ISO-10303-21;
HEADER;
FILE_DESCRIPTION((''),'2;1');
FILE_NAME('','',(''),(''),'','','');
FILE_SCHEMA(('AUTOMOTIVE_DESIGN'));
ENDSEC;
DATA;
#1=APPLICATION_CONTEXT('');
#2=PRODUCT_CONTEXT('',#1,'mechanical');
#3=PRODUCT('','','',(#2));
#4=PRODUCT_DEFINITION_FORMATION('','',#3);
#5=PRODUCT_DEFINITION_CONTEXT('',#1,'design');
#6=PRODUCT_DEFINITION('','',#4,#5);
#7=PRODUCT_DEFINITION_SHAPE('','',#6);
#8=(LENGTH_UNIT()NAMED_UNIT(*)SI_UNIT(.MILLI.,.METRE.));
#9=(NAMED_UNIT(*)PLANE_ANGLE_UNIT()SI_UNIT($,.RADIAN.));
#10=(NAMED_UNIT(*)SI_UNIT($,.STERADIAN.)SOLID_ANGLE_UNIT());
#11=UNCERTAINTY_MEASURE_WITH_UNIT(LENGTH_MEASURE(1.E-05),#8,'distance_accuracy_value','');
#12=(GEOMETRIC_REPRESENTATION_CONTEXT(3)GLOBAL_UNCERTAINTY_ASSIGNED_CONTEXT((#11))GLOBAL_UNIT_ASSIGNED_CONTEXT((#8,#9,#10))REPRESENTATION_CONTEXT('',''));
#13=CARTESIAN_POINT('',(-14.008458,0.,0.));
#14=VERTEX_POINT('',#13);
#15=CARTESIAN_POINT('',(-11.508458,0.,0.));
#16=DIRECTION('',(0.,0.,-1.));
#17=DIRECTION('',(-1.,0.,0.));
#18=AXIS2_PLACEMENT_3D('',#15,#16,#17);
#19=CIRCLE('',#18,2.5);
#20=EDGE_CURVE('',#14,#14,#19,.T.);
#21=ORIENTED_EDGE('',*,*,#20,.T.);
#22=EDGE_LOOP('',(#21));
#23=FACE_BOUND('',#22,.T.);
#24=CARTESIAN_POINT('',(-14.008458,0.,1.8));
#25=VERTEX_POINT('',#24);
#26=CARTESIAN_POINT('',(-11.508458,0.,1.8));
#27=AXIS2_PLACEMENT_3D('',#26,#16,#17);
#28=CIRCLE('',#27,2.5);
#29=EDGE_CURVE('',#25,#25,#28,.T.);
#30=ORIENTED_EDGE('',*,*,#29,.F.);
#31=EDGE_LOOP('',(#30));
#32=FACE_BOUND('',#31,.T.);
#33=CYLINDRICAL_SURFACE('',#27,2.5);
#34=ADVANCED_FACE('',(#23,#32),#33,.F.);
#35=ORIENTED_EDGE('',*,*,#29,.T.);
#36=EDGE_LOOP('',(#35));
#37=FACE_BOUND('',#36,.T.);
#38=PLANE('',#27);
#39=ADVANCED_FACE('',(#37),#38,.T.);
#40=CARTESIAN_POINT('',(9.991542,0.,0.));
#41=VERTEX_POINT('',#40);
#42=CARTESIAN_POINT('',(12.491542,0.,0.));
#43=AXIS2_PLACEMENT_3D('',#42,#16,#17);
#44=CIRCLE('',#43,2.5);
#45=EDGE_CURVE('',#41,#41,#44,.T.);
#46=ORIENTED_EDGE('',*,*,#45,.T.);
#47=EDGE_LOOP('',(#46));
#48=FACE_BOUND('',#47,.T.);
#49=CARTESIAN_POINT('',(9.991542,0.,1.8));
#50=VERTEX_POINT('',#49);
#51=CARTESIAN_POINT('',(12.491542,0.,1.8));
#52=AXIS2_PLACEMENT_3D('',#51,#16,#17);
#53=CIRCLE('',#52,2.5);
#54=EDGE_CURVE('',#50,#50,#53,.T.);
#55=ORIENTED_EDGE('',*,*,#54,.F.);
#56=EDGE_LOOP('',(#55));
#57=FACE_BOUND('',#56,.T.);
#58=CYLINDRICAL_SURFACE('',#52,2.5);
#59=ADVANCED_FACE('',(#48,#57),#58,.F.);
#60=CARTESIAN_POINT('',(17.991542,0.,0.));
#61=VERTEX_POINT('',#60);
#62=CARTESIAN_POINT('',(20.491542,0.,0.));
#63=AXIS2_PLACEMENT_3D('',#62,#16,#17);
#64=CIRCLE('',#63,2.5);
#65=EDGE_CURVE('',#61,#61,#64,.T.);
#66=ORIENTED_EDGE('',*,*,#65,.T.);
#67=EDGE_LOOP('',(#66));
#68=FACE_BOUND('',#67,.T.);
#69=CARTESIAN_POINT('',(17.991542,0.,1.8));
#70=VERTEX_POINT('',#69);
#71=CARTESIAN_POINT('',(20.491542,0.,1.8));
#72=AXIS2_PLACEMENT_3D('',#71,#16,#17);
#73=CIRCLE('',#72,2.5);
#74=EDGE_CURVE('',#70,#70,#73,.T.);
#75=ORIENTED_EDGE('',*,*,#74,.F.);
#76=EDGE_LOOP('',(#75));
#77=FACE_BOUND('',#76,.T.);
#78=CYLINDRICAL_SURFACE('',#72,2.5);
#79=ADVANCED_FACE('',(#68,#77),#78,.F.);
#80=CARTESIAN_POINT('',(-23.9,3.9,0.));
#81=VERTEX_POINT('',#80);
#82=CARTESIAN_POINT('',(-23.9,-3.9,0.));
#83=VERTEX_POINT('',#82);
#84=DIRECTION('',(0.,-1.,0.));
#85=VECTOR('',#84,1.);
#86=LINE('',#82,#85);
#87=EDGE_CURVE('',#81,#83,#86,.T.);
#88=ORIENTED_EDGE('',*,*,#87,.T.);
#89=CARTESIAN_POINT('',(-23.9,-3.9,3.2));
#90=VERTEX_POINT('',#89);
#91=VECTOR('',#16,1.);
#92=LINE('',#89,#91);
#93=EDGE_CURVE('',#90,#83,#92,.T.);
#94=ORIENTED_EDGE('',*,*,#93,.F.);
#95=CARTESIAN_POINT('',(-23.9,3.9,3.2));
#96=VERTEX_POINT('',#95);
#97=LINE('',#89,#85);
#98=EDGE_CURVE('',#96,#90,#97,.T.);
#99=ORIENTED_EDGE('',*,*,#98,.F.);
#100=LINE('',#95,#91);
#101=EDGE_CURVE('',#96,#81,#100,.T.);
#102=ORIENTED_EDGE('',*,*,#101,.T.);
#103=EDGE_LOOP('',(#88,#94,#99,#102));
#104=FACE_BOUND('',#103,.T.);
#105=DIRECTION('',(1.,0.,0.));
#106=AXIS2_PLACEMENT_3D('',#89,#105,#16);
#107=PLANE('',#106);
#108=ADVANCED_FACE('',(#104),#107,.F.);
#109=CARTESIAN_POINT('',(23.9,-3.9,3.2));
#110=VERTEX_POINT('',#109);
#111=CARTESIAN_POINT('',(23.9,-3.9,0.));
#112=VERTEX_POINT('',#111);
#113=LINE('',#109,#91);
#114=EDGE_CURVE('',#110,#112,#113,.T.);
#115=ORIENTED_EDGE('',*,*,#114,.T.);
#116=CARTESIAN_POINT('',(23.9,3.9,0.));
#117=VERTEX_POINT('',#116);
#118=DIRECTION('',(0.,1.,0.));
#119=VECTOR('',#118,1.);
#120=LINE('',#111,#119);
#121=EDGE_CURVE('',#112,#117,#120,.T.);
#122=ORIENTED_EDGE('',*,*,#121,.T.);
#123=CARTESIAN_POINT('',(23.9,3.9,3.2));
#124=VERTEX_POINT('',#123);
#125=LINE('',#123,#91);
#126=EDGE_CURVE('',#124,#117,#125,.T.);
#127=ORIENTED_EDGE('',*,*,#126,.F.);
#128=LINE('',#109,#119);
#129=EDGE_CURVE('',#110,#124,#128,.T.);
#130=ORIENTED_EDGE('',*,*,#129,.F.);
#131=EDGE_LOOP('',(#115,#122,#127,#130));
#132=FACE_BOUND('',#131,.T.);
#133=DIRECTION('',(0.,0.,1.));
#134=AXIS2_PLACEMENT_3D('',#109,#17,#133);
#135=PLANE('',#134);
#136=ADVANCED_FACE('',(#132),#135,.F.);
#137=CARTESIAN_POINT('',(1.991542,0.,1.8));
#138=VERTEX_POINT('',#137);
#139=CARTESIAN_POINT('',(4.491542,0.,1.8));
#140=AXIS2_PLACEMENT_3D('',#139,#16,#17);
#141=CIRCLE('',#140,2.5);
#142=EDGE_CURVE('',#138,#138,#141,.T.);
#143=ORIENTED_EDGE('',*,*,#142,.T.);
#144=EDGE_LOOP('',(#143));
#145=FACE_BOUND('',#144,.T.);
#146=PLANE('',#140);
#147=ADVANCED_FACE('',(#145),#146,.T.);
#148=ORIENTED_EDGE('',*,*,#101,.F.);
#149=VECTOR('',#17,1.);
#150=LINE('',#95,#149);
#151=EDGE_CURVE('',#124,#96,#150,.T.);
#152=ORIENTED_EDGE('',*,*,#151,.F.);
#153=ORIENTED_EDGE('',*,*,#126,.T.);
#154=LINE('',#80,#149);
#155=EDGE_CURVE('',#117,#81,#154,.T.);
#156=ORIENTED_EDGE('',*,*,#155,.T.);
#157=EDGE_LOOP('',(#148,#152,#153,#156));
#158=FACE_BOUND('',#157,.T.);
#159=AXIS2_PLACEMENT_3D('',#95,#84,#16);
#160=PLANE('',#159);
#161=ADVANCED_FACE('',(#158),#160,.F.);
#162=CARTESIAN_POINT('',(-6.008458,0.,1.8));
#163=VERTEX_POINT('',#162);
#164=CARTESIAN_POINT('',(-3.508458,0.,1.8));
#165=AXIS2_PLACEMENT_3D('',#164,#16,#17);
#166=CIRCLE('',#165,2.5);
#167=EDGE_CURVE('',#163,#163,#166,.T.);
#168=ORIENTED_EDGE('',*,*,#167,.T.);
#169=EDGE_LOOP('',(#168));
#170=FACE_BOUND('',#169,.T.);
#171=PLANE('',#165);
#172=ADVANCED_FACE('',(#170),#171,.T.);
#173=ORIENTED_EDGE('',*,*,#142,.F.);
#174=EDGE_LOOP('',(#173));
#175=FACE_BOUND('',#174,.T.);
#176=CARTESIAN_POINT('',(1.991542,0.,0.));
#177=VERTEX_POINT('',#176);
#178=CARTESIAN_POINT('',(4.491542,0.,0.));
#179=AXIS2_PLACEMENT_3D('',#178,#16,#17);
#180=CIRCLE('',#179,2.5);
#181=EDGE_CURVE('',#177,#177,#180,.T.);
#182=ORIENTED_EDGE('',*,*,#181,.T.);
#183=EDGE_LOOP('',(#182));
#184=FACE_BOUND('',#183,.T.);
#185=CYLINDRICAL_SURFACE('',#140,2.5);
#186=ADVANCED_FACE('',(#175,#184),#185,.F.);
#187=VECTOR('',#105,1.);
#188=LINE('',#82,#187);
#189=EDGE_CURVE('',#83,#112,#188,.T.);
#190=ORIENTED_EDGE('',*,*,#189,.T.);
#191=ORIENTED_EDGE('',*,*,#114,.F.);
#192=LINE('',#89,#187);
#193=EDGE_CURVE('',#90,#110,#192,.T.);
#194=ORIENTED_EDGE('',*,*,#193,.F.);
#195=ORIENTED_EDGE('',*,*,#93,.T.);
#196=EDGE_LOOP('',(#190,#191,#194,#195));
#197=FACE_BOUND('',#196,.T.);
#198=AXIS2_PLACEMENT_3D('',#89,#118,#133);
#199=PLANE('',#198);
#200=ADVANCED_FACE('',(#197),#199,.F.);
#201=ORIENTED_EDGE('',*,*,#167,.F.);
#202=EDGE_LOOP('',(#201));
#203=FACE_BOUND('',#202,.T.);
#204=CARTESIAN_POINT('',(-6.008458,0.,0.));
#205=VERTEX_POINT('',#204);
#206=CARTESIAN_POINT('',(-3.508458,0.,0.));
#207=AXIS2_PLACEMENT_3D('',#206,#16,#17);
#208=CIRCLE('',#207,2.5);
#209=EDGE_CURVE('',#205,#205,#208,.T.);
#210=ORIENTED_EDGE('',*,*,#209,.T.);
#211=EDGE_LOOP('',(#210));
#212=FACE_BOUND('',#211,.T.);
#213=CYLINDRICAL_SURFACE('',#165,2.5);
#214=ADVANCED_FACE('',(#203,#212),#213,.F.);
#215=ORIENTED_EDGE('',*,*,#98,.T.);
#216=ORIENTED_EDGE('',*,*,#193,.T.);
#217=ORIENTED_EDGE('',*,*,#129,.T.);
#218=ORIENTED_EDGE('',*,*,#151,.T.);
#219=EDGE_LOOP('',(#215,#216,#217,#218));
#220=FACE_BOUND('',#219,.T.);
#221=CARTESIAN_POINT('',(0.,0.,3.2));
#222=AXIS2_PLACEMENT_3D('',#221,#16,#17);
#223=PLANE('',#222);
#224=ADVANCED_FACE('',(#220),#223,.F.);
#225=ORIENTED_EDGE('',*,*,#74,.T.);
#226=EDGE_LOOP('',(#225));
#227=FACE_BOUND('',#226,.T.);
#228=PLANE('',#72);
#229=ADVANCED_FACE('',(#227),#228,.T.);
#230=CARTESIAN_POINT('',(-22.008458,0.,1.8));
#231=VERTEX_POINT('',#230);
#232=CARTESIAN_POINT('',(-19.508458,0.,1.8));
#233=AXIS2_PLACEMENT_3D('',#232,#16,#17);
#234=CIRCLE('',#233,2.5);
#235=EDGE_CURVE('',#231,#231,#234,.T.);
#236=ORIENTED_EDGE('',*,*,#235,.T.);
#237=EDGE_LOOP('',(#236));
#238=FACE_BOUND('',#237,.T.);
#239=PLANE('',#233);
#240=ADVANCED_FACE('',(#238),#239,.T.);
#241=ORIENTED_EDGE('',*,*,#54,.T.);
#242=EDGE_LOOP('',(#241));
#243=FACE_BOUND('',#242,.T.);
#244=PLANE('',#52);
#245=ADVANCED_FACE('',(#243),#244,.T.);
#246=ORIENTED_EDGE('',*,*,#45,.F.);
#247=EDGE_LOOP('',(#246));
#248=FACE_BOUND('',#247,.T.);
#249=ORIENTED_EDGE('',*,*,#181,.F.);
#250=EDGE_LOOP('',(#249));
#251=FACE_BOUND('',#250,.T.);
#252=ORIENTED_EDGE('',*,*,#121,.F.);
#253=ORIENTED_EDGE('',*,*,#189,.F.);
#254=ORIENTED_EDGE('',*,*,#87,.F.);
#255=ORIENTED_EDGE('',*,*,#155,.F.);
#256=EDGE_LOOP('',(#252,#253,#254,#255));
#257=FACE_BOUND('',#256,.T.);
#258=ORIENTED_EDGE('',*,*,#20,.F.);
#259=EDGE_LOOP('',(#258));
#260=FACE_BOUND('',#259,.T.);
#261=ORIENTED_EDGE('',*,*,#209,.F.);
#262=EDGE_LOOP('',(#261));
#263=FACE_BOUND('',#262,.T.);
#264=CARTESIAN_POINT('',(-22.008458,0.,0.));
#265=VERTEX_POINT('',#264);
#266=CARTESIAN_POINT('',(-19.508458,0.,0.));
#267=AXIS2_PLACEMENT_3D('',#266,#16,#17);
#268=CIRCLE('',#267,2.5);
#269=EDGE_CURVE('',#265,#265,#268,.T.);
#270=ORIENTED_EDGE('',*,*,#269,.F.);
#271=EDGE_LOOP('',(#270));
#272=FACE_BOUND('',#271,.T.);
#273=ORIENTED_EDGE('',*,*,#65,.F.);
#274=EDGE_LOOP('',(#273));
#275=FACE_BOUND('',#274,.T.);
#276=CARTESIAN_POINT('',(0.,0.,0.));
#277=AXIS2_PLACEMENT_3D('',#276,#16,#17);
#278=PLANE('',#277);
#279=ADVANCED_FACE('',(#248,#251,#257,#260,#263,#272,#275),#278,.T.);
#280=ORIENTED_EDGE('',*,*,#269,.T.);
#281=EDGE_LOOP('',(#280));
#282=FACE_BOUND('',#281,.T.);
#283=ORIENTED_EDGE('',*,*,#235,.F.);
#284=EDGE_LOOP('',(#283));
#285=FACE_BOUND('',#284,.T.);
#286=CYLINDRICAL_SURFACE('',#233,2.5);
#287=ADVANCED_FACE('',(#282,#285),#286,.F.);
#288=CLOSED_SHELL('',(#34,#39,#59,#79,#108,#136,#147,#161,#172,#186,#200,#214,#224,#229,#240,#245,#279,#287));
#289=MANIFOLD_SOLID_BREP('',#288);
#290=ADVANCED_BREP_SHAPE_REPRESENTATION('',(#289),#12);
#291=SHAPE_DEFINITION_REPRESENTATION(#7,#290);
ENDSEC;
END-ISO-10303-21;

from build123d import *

# Parameters (mm, degrees)
SKETCH_1_W          = 47.8
SKETCH_1_H          = 7.8
EXTRUDE_1_DEPTH     = 3.2
SKETCH_2_R          = 2.5
CUT_EXTRUDE_1_DEPTH = 1.8


with BuildPart() as part:
    # Эскиз1 → Бобышка-Вытянуть1 (new body)
    with BuildSketch(Plane.XY):
        Rectangle(SKETCH_1_W, SKETCH_1_H)
    extrude(amount=EXTRUDE_1_DEPTH)

    # Эскиз2 → Вырез-Вытянуть1 (cut)
    with BuildSketch(Plane(origin=(0, 0, 0), x_dir=(-1, 0, 0), z_dir=(0, 0, -1))):
        with Locations((-20.491541589, 0)):
            Circle(SKETCH_2_R)
        with Locations((-12.491541589, 0)):
            Circle(SKETCH_2_R)
        with Locations((-4.491541589, 0)):
            Circle(SKETCH_2_R)
        with Locations((3.508458411, 0)):
            Circle(SKETCH_2_R)
        with Locations((11.508458411, 0)):
            Circle(SKETCH_2_R)
        with Locations((19.508458411, 0)):
            Circle(SKETCH_2_R)
    extrude(amount=-CUT_EXTRUDE_1_DEPTH, mode=Mode.SUBTRACT)


solid = part.part
